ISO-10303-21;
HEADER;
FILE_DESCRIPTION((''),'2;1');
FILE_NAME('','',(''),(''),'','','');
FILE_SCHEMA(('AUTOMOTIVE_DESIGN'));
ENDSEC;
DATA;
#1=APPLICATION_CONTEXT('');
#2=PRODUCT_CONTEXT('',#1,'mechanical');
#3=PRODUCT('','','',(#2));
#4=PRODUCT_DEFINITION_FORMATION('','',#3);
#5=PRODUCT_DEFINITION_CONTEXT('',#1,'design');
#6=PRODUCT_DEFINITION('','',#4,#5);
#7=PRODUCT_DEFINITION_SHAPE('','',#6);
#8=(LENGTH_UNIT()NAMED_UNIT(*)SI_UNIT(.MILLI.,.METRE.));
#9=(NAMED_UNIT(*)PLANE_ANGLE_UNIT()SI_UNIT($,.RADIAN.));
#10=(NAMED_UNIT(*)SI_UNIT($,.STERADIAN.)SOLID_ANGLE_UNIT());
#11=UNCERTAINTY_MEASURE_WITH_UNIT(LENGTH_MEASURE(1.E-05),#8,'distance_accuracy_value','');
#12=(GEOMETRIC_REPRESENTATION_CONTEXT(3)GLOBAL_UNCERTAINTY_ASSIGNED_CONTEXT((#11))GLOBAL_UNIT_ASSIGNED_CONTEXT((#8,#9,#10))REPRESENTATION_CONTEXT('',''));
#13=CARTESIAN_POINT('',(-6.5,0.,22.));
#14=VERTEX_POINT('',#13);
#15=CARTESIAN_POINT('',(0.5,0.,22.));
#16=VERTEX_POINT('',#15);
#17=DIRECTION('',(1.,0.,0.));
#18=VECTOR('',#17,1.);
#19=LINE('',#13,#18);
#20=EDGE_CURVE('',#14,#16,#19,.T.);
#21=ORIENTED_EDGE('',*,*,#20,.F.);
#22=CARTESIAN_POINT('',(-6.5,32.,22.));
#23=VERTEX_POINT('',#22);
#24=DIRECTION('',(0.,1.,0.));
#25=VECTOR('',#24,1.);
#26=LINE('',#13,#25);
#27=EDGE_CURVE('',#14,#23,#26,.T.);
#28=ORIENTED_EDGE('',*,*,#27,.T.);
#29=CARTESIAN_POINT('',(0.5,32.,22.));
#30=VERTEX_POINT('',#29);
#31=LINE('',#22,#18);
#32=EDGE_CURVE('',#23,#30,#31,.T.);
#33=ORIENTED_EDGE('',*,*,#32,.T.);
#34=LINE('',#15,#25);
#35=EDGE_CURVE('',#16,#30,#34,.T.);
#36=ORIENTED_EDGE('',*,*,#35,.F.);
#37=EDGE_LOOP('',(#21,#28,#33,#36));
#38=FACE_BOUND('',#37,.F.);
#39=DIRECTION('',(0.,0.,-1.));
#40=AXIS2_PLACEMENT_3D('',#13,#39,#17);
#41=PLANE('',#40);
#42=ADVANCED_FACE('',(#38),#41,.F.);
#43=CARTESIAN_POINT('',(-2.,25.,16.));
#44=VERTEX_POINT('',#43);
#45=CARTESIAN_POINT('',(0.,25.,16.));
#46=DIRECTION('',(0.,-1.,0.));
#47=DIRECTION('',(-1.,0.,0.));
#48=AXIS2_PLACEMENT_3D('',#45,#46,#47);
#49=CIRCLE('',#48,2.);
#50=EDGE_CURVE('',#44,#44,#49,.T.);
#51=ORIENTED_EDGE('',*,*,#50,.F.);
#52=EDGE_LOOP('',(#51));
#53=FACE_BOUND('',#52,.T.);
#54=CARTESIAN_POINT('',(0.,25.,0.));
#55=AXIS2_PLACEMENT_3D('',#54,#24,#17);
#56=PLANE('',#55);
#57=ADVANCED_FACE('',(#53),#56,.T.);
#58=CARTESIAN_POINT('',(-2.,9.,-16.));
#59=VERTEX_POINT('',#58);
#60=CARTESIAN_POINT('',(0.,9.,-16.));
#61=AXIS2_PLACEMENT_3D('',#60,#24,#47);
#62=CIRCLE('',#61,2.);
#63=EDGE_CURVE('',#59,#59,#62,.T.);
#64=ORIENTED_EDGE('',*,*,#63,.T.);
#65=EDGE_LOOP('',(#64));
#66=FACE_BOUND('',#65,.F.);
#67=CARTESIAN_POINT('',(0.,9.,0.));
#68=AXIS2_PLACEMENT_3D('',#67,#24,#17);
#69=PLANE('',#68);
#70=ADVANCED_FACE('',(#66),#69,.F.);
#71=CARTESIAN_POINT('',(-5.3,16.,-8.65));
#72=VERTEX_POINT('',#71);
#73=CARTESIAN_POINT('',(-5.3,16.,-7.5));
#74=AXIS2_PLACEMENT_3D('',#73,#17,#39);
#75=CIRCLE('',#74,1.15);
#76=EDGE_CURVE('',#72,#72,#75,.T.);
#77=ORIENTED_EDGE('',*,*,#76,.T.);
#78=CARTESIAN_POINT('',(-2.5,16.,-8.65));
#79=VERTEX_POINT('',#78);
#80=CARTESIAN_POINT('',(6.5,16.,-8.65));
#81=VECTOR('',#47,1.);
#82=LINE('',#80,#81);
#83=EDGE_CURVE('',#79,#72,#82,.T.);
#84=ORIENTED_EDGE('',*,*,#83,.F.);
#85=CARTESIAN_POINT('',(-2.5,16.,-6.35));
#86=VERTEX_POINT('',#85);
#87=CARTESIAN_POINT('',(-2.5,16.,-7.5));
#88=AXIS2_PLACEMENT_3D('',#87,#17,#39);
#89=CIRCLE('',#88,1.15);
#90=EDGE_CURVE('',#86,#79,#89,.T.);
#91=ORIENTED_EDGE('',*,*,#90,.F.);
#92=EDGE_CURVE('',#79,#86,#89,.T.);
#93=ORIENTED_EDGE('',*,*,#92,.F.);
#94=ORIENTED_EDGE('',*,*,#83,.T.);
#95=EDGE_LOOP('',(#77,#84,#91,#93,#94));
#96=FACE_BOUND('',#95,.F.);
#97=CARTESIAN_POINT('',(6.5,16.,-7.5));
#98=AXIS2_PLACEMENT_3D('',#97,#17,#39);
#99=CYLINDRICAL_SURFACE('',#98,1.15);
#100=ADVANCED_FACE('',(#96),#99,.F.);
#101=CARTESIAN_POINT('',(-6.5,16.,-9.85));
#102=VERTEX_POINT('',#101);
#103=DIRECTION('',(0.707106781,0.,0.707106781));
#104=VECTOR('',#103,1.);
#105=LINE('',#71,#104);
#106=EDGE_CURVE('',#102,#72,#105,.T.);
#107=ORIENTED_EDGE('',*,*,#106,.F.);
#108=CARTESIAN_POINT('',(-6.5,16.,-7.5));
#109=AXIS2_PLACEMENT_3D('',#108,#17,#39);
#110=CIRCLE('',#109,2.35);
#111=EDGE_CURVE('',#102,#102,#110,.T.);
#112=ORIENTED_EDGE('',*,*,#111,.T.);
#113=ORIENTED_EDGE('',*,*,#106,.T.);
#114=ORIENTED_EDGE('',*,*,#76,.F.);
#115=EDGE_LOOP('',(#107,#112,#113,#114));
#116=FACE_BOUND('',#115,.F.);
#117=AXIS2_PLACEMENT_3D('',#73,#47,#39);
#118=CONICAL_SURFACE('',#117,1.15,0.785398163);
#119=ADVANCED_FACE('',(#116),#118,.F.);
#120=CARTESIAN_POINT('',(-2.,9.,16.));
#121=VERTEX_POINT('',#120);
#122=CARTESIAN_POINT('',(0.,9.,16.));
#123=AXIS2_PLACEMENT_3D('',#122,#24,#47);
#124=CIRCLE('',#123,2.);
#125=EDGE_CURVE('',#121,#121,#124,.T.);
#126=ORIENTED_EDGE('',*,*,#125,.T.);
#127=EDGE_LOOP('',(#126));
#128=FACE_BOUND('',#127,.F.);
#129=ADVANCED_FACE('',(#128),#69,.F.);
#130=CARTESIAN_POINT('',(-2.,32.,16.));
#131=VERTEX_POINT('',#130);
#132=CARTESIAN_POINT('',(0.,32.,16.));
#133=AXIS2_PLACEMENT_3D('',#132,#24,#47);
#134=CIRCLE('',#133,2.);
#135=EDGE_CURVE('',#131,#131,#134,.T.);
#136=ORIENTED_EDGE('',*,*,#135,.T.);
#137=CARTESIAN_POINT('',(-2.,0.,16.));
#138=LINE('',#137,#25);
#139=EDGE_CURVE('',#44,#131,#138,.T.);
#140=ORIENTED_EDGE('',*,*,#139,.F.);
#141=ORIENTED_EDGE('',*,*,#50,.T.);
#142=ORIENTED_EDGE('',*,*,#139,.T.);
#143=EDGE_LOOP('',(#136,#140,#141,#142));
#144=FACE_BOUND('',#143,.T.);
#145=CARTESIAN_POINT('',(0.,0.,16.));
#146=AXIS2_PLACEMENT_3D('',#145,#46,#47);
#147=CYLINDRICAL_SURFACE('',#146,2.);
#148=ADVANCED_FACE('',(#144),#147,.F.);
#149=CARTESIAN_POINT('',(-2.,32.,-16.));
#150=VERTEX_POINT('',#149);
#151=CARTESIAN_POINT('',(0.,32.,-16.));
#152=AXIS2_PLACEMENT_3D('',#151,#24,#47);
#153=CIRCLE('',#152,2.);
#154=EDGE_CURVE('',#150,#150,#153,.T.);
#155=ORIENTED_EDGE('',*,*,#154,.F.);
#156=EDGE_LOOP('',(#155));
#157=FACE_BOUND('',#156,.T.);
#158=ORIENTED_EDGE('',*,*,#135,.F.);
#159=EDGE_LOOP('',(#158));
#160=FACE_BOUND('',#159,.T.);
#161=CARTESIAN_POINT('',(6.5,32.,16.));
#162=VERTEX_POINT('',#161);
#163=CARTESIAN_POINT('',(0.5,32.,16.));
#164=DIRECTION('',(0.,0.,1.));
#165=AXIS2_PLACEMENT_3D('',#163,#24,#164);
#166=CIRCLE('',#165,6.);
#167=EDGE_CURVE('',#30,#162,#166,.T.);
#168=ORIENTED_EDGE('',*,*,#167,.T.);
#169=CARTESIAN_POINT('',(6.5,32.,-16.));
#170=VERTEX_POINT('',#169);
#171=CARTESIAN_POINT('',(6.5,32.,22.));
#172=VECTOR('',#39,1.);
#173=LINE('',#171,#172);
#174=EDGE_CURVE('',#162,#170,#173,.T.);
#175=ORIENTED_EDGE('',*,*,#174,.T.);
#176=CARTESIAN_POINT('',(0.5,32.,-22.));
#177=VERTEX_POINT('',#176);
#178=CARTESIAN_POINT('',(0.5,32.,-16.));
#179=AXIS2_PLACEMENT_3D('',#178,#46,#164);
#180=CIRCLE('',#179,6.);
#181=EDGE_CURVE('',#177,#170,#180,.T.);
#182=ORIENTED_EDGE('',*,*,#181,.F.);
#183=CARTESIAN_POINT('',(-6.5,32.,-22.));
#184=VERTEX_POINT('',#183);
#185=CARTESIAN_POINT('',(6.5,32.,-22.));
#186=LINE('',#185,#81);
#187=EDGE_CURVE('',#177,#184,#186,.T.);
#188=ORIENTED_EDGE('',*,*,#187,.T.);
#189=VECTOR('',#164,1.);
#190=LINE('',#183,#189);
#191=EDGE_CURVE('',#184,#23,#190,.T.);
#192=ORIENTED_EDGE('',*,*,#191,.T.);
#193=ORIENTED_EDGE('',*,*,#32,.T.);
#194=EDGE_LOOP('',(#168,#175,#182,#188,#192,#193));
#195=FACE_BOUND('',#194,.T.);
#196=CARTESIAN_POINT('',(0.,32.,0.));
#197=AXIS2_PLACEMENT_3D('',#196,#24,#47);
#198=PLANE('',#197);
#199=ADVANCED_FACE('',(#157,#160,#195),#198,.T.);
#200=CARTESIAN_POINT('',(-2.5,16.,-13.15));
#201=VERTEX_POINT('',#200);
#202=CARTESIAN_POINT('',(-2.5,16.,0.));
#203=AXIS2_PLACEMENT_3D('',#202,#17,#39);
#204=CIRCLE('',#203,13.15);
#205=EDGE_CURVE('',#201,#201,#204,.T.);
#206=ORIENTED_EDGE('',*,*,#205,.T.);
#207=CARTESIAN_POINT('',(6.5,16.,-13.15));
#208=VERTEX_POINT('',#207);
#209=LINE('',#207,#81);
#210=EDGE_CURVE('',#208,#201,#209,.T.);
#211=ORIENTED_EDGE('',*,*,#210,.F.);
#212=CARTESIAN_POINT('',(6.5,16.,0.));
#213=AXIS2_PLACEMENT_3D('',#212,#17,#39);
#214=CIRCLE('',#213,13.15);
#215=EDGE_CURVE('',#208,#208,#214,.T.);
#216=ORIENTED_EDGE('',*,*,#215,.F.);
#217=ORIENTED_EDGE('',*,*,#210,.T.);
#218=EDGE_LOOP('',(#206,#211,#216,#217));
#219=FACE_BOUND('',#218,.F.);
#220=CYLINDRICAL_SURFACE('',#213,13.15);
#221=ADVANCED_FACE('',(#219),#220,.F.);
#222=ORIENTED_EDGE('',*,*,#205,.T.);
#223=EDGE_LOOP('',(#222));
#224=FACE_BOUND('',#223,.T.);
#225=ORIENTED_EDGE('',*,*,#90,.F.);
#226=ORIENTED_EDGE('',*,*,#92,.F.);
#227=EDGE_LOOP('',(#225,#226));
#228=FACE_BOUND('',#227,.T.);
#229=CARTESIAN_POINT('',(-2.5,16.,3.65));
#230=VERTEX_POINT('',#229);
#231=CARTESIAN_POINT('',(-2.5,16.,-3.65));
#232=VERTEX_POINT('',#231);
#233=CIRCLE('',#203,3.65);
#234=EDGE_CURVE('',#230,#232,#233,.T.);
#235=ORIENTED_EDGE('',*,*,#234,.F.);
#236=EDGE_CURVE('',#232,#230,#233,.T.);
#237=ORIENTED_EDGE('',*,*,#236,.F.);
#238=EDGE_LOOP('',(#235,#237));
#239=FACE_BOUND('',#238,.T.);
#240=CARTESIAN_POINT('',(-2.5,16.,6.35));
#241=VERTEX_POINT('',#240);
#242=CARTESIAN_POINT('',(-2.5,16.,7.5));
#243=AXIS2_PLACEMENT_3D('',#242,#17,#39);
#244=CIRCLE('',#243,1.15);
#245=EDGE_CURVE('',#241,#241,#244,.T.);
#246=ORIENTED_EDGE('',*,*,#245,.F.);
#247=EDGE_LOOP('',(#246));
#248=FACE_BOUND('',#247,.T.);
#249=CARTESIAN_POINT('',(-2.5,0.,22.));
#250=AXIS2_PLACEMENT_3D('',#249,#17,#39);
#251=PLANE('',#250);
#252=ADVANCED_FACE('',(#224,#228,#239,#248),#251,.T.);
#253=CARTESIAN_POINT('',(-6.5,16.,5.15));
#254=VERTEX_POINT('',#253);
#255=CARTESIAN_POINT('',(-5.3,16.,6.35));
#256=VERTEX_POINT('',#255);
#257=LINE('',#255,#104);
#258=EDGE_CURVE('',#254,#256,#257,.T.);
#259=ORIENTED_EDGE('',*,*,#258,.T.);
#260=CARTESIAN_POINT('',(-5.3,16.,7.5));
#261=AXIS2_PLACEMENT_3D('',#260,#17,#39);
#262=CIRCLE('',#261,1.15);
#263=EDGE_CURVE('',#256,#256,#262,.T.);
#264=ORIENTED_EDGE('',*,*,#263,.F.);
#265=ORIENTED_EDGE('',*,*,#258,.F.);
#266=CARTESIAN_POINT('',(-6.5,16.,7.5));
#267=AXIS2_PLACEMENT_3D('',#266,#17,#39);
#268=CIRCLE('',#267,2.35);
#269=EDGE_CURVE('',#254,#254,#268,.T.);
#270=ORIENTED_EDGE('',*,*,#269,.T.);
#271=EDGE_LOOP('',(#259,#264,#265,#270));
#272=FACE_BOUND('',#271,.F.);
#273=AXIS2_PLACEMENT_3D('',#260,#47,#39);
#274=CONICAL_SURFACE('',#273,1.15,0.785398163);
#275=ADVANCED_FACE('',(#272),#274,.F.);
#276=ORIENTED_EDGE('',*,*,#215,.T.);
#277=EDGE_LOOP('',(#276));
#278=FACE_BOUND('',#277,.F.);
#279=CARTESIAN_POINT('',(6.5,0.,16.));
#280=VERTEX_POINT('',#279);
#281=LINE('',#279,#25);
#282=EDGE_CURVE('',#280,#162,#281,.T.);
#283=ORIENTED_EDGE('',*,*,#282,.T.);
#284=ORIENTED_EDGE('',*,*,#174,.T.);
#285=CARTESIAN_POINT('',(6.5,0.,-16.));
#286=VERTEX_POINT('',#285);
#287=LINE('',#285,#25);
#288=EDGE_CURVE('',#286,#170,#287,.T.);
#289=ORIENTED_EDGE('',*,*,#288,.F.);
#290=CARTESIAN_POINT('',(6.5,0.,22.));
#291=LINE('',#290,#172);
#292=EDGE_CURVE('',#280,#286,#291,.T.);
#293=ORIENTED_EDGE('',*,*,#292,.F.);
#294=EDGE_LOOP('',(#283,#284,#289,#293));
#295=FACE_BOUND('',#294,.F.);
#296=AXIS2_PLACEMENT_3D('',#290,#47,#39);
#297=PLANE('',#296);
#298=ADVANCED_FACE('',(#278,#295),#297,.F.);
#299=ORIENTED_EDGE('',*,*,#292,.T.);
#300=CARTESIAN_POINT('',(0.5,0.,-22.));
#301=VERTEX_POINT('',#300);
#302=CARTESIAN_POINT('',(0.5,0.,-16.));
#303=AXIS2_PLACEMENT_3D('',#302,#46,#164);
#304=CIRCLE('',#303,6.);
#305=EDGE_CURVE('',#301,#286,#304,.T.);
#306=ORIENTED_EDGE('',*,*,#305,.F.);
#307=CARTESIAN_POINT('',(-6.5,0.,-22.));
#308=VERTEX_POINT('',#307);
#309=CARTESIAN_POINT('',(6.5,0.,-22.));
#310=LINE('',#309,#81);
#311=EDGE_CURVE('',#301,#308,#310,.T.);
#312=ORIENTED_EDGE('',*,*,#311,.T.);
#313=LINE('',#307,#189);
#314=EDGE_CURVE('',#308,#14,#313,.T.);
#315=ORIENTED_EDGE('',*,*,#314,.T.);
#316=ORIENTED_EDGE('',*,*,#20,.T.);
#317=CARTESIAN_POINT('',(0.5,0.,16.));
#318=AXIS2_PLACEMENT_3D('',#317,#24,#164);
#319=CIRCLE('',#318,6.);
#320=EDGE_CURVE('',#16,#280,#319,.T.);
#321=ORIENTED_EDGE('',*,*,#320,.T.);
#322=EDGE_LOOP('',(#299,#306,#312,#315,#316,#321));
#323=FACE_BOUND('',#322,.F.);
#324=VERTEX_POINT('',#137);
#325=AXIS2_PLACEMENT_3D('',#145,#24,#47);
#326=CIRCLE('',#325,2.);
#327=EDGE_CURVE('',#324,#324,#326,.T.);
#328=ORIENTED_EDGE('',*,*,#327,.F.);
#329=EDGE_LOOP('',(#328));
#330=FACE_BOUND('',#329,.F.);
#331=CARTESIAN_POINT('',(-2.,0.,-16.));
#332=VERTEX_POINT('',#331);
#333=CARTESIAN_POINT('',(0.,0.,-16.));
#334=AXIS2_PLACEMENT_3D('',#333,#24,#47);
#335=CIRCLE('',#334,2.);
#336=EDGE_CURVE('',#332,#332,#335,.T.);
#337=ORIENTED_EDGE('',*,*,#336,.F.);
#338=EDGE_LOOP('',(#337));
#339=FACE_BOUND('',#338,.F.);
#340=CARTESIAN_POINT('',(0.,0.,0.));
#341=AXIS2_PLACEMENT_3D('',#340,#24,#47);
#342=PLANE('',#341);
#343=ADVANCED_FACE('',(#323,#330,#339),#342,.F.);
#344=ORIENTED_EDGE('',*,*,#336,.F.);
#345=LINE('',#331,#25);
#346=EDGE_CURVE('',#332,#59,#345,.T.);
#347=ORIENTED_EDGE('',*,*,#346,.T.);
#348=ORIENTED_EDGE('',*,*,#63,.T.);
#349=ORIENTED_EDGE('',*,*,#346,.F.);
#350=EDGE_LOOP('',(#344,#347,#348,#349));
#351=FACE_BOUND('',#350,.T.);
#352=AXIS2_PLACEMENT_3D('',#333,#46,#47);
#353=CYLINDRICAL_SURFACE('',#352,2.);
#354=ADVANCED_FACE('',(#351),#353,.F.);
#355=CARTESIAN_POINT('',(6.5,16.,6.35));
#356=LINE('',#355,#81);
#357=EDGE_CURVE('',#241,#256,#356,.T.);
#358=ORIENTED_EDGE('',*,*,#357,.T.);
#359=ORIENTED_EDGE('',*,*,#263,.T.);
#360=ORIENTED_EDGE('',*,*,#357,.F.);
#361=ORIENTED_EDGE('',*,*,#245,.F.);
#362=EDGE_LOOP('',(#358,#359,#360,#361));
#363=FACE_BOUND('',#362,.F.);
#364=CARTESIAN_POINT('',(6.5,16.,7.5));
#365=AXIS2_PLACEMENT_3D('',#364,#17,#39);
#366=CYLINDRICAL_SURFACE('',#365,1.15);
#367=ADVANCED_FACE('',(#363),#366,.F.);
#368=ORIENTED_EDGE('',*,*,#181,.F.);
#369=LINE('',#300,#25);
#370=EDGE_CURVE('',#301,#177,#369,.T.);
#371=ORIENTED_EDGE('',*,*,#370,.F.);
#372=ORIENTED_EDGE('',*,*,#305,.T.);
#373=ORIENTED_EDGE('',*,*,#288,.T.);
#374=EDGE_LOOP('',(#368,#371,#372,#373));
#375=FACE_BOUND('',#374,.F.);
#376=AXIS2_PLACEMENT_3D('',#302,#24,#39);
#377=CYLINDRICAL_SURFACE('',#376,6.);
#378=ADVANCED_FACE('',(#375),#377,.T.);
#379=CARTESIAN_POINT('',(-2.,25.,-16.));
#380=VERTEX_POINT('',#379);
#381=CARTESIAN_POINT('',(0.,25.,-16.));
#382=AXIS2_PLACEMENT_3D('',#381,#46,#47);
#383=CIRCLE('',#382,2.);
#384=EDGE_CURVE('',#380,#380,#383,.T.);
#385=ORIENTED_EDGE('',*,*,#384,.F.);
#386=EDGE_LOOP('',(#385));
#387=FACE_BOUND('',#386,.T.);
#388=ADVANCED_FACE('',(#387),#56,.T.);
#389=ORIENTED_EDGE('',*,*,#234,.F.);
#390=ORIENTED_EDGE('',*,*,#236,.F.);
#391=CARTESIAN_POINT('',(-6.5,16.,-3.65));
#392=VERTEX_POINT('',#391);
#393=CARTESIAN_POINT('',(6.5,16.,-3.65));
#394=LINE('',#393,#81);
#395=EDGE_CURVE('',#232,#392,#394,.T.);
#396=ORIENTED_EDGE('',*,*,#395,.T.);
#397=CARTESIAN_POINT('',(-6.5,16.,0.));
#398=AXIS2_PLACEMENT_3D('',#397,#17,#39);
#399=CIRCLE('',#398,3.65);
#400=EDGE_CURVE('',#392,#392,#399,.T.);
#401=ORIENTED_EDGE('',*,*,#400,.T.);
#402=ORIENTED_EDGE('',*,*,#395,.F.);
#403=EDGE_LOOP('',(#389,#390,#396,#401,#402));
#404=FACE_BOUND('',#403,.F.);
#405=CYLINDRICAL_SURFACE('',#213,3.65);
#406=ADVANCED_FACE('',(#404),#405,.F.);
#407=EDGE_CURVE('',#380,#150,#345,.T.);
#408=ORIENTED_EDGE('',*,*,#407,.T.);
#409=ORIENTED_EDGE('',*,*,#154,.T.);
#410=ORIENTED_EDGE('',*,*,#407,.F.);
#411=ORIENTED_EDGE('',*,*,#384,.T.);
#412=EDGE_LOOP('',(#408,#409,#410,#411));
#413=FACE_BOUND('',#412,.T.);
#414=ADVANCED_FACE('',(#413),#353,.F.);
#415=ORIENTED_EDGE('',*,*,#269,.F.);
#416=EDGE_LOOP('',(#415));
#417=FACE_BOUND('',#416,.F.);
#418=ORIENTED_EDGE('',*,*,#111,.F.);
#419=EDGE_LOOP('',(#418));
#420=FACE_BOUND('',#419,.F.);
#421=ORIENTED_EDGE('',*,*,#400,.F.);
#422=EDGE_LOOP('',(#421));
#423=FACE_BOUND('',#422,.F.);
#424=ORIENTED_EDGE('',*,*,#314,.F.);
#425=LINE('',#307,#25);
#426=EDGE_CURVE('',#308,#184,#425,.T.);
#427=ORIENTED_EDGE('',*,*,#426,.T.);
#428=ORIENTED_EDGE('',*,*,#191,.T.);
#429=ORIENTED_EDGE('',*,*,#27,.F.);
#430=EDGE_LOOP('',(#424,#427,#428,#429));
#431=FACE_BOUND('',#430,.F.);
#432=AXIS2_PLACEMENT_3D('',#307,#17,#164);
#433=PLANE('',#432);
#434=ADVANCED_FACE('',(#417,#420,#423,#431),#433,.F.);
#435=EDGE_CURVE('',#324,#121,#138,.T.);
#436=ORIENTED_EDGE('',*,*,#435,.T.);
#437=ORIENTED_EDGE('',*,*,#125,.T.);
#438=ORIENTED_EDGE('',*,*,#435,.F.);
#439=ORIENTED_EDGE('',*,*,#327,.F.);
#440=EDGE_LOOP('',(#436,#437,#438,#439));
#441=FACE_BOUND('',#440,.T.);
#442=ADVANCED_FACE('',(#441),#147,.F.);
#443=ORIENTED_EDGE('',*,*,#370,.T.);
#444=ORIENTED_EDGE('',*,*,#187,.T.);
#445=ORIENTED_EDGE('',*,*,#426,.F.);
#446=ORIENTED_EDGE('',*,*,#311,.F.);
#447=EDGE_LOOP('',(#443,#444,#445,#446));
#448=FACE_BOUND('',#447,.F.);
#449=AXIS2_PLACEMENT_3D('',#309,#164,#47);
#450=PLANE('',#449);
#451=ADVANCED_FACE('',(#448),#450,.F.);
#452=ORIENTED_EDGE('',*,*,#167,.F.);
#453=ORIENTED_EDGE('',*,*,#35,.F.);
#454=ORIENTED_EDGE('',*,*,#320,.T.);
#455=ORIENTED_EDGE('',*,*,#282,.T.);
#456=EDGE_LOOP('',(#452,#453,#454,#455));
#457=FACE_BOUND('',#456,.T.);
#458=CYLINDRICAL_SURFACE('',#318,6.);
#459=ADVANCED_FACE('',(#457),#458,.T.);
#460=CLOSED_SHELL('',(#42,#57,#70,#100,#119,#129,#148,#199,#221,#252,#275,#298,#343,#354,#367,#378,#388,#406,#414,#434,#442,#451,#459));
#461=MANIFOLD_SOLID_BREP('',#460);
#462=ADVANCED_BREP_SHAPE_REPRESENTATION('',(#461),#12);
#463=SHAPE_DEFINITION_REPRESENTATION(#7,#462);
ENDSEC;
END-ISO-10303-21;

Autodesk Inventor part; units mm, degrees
ref_plane "YZ Plane" through (0, 0, 0) normal (1, 0, 0) x (0, 1, 0)
ref_plane "XZ Plane" through (0, 0, 0) normal (0, 1, 0) x (-1, 0, 0)
ref_plane "XY Plane" through (0, 0, 0) normal (0, 0, 1) x (1, 0, 0)
sketch "Эскиз1" plane through (0, 0, 0) normal (0, 1, 0) x (-1, 0, 0)
  line L0 (6.5, 22) -> (-6.5, 22)
  line L1 (-6.5, 22) -> (-6.5, -22)
  line L2 (-6.5, -22) -> (6.5, -22)
  line L3 (6.5, -22) -> (6.5, 22)
  line L4 (-6.5, 22) -> (6.5, -22) construction
  line L5 (0, 22) -> (0, -22) construction
  circle A0 centre (0, 16) radius 2
  line L6 (6.5, 0) -> (-6.5, 0) construction
  circle A1 centre (0, -16) radius 2
  point P0 (0, 0)
  point P1 (0, 0)
  dimension "d0" = 13
  dimension "d1" = 44
  dimension "d2" = 16
  dimension "d3" = 4
extrude "Выдавливание1" add sketch "Эскиз1" along normal blind 32
sketch "Эскиз2" plane through (6.5, 0, 22) normal (1, 0, 0) x (0, 0, -1)
  line L0 (0, 32) -> (44, 32) projected
  line L1 (44, 0) -> (0, 0) projected
  line L2 (44, 32) -> (0, 0) construction
  circle A0 centre (22, 16) radius 10.15
  line L3 (11.85, 16) -> (32.15, 16) construction
  circle A1 centre (14.5, 16) radius 1.15
  circle A2 centre (29.5, 16) radius 1.15
  line L4 (14.5, 16) -> (29.5, 16)
  circle A3 centre (22, 16) radius 13.15
  line L5 (22, 29.15) -> (22, 2.85)
  line L6 (44, 0) -> (44, 32) projected
  circle A4 centre (22, 16) radius 3.65
  point P0 (22, 0)
  dimension "d9" = 20.3
  dimension "d10" = 2.3
  dimension "d11" = 15
  dimension "d17" = 7.3
  dimension "d21" = 26.3
extrude "Выдавливание3" cut sketch "Эскиз2" against normal through all contours A2 | A1 | A4 L4 L5 | L5 L4 A4 | A4 L4 L5 | L5 L4 A4
extrude "Выдавливание4" cut sketch "Эскиз2" against normal blind 9
ref_plane "РабПлоскость1" through (0, 25, 0) normal (0, 1, 0) x (1, 0, 0)
sketch "Эскиз3" plane through (0, 25, 0) normal (0, 1, 0) x (1, 0, 0)
  circle A0 centre (0, -16) radius 2 projected
  circle A1 centre (0, 16) radius 2 projected
  point P0 (0, 0)
extrude "Выдавливание5" add sketch "Эскиз3" against normal blind 16
fillet "Сопряжение1" radius 6 2 edges at (6.5, 16, 22) (6.5, 16, -22)
chamfer "Фаска1" distance 1.2 angle 45 2 edges at (-6.5, 16, -6.35) (-6.5, 16, 8.65)
properties part number "motor_mount_edge"
